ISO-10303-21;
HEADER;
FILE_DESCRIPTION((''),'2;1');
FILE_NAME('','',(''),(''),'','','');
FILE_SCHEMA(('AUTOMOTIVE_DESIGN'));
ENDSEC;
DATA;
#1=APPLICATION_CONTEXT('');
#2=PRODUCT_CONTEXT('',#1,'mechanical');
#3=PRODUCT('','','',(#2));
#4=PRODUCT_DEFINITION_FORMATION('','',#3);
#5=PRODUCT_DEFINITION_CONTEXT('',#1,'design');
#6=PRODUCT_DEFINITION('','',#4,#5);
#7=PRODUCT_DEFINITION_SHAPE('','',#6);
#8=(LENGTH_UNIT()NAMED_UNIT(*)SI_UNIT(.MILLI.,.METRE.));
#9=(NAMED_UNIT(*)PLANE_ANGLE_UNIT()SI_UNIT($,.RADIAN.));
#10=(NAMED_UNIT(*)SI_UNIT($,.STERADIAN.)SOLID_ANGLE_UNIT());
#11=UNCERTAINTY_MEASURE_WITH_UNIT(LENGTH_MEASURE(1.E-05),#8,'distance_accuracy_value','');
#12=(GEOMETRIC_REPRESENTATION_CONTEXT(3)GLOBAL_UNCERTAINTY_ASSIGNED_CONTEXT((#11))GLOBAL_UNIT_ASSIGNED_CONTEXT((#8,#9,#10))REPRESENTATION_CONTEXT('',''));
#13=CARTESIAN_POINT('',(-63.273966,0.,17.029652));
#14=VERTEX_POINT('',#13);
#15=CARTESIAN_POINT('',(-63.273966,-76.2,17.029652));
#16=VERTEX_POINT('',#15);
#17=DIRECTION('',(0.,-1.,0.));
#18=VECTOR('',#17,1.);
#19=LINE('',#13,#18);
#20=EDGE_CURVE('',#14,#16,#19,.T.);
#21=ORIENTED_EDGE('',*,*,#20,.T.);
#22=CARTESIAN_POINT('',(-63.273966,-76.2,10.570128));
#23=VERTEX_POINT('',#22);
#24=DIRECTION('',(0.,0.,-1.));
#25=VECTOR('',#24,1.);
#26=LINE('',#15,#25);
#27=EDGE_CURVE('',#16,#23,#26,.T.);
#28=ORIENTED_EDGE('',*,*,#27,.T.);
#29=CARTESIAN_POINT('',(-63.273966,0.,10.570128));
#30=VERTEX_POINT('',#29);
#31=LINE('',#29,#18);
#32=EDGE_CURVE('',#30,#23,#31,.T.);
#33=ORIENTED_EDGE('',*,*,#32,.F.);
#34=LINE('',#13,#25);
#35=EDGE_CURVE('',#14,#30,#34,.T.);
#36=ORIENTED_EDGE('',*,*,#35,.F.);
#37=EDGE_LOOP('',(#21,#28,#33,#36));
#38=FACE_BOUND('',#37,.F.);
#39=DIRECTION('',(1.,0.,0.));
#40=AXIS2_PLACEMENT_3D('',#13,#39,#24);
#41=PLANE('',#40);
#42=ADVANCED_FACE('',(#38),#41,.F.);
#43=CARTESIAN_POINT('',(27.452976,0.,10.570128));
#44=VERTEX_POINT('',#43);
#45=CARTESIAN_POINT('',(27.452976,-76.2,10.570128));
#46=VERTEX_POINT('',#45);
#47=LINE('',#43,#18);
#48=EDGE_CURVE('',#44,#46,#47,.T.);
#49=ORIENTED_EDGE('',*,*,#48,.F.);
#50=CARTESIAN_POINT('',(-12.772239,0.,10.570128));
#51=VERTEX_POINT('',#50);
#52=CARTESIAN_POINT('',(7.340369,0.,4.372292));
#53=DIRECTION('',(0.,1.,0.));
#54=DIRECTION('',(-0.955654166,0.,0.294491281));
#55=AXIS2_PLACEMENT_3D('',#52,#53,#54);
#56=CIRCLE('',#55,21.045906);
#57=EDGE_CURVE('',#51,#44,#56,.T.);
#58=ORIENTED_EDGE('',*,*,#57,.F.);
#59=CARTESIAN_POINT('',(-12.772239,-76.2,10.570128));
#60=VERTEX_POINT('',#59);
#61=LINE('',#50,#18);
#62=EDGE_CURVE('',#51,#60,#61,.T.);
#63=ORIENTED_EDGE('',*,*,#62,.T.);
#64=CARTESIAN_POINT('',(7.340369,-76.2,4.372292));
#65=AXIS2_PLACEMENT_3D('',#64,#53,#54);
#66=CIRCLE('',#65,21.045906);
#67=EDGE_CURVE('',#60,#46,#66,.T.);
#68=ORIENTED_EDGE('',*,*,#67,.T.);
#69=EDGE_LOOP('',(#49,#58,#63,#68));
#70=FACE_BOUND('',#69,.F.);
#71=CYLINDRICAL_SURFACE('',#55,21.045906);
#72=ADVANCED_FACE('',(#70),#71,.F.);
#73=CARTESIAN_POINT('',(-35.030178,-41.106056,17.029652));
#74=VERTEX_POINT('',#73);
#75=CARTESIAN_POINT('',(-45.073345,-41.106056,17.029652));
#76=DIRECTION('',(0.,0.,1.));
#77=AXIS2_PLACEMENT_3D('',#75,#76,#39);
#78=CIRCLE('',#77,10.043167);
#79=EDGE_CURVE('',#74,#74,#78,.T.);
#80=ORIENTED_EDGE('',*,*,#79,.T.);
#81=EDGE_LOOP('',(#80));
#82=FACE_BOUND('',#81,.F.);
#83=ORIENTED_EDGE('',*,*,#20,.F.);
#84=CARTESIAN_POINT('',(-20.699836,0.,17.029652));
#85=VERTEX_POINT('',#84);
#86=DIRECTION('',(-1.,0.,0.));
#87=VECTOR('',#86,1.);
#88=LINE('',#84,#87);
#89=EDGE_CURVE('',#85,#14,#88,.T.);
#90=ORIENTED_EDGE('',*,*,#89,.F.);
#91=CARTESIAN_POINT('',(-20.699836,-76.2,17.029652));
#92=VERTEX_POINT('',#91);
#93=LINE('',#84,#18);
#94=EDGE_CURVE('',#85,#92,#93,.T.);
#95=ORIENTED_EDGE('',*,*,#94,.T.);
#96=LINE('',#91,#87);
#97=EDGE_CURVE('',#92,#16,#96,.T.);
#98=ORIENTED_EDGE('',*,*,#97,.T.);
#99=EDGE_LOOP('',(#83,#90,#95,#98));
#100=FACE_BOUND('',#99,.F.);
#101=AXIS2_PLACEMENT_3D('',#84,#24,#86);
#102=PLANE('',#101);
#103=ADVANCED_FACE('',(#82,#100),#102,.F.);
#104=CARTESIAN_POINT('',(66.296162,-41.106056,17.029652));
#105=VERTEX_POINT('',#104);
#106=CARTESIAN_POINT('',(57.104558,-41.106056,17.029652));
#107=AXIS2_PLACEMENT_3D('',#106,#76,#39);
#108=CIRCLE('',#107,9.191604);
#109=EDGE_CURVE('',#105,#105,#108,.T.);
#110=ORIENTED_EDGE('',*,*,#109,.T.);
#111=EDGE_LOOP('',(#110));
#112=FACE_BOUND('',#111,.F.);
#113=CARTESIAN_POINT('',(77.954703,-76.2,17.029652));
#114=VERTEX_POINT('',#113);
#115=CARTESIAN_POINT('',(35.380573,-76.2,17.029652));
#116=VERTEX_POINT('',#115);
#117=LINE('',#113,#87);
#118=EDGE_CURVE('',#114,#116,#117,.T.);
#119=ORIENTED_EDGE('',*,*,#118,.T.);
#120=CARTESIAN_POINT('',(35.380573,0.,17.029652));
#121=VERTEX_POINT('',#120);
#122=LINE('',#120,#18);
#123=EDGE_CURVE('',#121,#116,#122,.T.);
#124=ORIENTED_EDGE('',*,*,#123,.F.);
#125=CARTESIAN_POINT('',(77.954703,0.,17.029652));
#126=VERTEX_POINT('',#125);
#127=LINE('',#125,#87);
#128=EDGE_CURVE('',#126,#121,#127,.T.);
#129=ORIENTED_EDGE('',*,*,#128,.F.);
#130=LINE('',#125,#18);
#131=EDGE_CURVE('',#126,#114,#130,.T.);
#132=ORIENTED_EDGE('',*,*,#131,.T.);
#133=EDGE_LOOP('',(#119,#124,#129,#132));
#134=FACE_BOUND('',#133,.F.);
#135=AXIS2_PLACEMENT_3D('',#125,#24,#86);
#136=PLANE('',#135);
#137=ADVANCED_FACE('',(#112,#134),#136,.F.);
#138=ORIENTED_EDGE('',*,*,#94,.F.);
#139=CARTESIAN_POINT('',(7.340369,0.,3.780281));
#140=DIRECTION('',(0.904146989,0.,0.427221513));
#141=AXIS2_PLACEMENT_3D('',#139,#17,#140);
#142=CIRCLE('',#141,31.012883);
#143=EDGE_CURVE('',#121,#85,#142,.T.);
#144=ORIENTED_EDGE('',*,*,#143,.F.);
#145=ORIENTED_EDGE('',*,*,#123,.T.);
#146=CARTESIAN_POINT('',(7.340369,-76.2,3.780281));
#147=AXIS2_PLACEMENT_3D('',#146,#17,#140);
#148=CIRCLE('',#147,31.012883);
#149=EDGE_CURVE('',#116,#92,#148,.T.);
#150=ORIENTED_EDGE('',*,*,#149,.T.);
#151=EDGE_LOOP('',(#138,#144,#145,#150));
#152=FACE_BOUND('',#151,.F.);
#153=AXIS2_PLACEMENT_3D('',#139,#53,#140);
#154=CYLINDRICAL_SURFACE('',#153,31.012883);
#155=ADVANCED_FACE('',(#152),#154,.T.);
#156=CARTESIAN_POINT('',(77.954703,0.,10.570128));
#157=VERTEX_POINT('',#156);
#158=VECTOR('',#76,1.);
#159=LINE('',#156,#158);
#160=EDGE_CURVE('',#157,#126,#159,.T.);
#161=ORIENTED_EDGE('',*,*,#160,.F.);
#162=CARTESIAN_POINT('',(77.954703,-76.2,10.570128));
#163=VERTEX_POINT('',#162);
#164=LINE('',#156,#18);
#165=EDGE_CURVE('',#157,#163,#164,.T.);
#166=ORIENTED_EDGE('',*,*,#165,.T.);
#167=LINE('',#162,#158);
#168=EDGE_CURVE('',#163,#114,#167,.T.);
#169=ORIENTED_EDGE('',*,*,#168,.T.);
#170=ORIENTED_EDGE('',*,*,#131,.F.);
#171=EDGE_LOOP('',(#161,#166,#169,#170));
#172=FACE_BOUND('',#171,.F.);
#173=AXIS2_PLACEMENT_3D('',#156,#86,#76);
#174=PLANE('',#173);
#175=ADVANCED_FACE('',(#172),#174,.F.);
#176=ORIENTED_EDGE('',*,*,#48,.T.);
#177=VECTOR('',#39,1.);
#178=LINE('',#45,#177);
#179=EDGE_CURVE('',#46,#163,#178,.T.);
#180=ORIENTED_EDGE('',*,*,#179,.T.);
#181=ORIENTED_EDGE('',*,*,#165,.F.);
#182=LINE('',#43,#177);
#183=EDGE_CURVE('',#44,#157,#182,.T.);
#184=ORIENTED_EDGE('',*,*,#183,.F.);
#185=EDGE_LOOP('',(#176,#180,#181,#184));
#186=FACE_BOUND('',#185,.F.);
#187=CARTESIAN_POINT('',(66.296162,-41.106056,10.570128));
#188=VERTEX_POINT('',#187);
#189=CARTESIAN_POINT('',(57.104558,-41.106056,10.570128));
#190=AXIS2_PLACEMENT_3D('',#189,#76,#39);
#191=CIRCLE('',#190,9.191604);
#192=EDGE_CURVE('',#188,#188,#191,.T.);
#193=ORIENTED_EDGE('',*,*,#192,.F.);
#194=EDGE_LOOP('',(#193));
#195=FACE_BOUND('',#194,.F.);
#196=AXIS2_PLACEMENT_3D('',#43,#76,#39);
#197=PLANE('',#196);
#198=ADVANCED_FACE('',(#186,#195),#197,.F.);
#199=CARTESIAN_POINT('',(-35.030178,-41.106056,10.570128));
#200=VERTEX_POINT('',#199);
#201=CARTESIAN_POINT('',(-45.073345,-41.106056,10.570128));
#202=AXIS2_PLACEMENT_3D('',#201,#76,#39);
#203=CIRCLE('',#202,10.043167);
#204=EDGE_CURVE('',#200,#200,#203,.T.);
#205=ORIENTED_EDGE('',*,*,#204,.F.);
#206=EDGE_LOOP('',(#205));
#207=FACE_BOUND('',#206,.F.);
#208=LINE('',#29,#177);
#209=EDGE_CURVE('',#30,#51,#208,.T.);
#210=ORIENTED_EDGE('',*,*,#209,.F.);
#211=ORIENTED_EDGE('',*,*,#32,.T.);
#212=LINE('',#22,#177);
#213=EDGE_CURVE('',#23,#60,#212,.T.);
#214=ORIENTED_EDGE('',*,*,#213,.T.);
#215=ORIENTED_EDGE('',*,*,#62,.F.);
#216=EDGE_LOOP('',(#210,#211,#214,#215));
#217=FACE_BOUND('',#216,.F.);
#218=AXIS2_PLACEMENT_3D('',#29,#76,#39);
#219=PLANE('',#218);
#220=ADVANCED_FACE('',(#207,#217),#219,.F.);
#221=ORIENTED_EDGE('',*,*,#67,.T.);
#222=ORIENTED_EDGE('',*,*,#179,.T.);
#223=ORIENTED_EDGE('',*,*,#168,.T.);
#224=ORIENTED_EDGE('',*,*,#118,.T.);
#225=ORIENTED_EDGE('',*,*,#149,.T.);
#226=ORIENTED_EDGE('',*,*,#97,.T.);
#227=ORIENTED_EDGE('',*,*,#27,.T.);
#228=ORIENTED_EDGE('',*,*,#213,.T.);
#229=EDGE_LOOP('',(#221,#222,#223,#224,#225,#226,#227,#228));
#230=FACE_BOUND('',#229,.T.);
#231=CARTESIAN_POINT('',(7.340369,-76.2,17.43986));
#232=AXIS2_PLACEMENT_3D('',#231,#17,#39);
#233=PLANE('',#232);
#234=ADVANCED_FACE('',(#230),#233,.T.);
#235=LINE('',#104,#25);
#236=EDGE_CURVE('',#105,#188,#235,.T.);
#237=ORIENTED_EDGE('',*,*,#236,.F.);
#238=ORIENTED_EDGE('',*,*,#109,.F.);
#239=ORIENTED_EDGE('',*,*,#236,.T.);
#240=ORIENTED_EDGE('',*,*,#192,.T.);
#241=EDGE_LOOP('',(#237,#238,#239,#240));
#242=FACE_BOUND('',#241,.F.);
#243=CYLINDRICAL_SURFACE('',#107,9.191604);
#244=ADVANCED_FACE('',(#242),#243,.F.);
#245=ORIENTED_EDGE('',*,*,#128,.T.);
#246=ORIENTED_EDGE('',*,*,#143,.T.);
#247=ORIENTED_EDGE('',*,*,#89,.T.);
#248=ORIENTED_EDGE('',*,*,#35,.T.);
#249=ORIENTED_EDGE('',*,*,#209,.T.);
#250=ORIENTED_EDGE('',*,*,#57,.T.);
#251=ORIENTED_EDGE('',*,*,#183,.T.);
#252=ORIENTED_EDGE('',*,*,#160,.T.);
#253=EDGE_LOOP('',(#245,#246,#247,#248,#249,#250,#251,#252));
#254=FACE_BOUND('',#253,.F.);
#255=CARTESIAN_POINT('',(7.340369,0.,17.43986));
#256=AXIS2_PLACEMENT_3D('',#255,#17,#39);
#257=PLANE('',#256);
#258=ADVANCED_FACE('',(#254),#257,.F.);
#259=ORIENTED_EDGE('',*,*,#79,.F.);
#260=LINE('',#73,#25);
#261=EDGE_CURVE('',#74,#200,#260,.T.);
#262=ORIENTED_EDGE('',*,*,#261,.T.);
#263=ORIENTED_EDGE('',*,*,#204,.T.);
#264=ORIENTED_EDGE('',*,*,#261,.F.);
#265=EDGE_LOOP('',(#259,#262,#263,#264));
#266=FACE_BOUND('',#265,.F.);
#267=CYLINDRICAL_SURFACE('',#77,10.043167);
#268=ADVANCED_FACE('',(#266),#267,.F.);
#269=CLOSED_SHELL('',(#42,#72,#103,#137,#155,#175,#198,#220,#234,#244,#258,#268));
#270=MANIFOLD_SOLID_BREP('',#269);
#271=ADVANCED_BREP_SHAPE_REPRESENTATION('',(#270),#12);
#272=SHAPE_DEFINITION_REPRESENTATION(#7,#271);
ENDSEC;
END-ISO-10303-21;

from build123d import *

# Parameters (mm, degrees)
F1_DEPTH = 76.2
F2_R     = 10.043167
F2_R_2   = 9.191604
F3_DEPTH = 25.4


with BuildPart() as f1:
    # F0 (on Front) → F1 (new body)
    with BuildSketch(Plane.XZ):
        with BuildLine():
            Line((-63.273966, 17.029652), (-63.273966, 10.570128))
            Line((-63.273966, 10.570128), (-12.772239, 10.570128))
            ThreePointArc((-12.772239, 10.570128), (7.340368, 25.418198), (27.452976, 10.570128))
            Line((27.452976, 10.570128), (77.954703, 10.570128))
            Line((77.954703, 10.570128), (77.954703, 17.029652))
            Line((77.954703, 17.029652), (35.380573, 17.029652))
            ThreePointArc((35.380573, 17.029652), (7.340368, 34.793164), (-20.699836, 17.029652))
            Line((-20.699836, 17.029652), (-63.273966, 17.029652))
        make_face()
    extrude(amount=F1_DEPTH)

    # F2 (on face) → F3 (cut)
    with BuildSketch(Plane.XY.offset(17.029652)):
        with Locations((-45.073345, -41.106056)):
            Circle(F2_R)
        with Locations((57.104558, -41.106056)):
            Circle(F2_R_2)
    extrude(amount=-F3_DEPTH, mode=Mode.SUBTRACT)


solid = f1.part
